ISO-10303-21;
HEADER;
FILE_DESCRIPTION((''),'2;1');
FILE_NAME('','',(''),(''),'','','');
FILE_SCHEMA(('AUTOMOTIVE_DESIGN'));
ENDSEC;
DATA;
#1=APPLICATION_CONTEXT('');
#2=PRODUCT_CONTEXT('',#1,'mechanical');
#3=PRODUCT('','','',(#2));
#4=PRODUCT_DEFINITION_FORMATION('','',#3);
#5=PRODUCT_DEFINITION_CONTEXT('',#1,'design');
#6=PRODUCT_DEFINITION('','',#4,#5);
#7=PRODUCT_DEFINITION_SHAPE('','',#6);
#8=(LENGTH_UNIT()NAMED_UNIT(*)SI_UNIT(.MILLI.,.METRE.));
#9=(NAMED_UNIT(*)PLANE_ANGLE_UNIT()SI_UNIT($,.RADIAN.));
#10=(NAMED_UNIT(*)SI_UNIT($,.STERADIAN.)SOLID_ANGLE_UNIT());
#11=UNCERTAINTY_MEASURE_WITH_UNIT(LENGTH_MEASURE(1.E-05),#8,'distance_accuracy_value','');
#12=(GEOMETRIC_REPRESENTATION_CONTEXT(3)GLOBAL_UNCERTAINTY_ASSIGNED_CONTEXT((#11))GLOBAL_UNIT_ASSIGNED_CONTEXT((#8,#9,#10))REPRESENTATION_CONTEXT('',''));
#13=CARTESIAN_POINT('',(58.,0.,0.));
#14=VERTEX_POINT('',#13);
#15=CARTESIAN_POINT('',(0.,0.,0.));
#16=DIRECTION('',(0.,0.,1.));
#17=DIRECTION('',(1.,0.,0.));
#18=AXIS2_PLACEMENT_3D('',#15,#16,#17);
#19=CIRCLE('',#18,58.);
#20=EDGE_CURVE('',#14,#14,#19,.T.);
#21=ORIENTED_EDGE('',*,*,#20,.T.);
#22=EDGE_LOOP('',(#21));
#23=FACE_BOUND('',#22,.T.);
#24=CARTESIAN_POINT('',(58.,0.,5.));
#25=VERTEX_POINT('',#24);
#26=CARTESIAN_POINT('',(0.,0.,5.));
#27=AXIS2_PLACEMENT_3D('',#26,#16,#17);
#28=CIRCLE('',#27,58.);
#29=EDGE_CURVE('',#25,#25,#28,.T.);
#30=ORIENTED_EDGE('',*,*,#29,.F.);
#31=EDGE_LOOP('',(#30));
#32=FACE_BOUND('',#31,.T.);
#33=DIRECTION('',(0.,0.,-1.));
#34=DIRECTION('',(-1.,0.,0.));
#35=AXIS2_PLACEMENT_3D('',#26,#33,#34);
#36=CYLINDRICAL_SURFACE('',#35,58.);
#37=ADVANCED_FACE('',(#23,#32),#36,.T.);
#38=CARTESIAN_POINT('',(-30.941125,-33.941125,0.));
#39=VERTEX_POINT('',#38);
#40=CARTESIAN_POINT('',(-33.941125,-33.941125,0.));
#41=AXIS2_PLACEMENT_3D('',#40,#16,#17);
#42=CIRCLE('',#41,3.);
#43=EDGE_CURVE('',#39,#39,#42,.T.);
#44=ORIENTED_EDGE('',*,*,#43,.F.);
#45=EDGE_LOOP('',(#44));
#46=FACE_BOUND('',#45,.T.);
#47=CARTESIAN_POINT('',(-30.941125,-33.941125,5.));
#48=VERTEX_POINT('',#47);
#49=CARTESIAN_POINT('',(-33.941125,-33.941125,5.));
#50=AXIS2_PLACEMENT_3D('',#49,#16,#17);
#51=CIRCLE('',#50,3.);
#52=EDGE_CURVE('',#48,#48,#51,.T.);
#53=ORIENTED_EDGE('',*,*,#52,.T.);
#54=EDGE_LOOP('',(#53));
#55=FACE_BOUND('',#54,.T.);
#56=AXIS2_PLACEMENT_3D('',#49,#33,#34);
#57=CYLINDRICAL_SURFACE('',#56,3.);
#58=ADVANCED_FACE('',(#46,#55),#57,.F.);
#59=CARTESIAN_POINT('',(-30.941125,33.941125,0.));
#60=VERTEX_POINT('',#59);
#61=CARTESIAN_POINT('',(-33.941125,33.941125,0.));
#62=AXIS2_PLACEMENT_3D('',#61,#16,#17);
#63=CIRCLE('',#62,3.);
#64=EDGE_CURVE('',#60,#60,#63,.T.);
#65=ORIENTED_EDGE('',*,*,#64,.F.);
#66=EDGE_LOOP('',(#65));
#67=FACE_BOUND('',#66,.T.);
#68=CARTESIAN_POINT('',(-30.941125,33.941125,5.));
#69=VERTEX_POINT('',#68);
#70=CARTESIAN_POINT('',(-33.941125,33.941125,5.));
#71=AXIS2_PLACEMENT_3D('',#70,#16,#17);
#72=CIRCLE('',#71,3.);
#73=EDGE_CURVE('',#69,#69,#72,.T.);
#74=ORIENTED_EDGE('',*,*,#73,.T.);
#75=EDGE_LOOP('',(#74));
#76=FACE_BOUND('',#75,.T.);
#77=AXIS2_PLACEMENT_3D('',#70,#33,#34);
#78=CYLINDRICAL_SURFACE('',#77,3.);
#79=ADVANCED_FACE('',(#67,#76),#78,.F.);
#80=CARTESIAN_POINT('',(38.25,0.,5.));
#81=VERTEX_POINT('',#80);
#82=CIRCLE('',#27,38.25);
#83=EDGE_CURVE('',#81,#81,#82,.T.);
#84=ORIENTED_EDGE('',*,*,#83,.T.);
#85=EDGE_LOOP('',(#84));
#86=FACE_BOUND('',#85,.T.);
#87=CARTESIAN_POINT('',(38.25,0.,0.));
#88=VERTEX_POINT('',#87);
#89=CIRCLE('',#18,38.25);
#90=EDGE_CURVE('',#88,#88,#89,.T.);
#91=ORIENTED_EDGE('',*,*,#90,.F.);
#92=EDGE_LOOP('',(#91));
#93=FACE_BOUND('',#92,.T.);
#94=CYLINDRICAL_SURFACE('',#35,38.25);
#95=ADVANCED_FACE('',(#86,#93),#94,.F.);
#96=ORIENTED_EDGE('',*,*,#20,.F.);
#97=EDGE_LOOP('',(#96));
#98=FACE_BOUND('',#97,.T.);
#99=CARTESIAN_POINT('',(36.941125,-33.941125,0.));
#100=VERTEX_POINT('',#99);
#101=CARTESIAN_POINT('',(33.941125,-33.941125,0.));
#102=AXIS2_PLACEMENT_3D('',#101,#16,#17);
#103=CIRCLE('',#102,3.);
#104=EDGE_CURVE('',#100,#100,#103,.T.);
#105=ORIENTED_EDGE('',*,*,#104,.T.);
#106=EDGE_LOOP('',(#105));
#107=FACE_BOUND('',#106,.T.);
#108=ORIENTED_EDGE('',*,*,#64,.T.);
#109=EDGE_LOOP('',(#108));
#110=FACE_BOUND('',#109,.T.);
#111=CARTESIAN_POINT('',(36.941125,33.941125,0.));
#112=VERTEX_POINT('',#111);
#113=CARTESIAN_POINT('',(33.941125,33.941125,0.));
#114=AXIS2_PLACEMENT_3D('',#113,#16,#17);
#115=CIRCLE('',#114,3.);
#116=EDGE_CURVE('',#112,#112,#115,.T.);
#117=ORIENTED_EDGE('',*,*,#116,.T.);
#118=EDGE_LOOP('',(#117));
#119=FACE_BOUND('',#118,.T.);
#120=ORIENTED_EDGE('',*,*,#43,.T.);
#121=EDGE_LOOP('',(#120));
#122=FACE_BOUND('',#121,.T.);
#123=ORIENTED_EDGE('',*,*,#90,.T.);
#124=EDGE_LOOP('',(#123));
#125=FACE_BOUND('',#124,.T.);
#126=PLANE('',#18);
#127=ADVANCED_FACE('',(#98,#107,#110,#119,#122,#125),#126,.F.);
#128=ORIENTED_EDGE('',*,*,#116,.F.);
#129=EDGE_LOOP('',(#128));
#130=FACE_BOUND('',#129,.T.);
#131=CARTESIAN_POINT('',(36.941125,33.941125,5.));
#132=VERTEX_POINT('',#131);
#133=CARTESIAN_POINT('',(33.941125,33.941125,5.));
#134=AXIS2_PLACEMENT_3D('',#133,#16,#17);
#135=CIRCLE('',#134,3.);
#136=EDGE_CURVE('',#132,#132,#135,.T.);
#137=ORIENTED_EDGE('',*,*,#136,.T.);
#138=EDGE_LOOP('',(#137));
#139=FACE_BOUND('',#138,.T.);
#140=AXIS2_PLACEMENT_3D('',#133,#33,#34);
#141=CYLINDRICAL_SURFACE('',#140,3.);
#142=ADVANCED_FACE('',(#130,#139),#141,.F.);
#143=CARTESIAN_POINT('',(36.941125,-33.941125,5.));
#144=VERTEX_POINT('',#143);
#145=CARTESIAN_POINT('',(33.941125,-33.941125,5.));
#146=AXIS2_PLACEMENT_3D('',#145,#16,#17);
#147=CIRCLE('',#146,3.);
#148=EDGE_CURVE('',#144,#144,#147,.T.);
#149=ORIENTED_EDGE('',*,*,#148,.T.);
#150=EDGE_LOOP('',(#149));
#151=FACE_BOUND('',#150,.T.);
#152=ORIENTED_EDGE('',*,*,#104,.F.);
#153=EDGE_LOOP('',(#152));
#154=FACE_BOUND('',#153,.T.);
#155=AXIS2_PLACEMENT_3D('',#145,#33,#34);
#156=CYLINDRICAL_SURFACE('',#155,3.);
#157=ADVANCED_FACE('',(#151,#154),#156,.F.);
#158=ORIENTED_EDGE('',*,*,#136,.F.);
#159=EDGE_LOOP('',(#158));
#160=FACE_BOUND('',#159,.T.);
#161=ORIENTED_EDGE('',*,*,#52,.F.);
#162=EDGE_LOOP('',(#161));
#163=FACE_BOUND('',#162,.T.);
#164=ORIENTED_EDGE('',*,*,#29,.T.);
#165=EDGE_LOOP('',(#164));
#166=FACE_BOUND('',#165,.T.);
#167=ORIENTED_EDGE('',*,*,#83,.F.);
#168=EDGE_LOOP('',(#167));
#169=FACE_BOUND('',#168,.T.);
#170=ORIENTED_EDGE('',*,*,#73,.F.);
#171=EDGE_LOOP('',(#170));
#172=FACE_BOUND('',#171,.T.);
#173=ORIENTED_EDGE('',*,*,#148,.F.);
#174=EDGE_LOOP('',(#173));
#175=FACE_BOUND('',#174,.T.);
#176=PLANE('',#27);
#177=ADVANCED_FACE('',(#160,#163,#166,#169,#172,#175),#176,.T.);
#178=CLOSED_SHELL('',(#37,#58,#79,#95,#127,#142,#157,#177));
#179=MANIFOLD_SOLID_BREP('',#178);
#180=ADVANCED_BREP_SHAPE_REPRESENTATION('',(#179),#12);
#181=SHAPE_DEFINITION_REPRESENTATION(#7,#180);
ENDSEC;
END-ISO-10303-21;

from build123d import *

# Parameters (mm, degrees)
ESQUISSE1_R        = 58
ESQUISSE1_R_2      = 38.25
ESQUISSE1_R_3      = 3
BOSS_EXTRU_1_DEPTH = 5


with BuildPart() as part:
    # Esquisse1 → Boss.-Extru.1 (new body)
    with BuildSketch(Plane.XY):
        Circle(ESQUISSE1_R)
        Circle(ESQUISSE1_R_2, mode=Mode.SUBTRACT)
        with Locations((33.941125497, 33.941125497)):
            Circle(ESQUISSE1_R_3, mode=Mode.SUBTRACT)
        with Locations((33.941125497, -33.941125497)):
            Circle(ESQUISSE1_R_3, mode=Mode.SUBTRACT)
        with Locations((-33.941125497, -33.941125497)):
            Circle(ESQUISSE1_R_3, mode=Mode.SUBTRACT)
        with Locations((-33.941125497, 33.941125497)):
            Circle(ESQUISSE1_R_3, mode=Mode.SUBTRACT)
    extrude(amount=BOSS_EXTRU_1_DEPTH)


solid = part.part
